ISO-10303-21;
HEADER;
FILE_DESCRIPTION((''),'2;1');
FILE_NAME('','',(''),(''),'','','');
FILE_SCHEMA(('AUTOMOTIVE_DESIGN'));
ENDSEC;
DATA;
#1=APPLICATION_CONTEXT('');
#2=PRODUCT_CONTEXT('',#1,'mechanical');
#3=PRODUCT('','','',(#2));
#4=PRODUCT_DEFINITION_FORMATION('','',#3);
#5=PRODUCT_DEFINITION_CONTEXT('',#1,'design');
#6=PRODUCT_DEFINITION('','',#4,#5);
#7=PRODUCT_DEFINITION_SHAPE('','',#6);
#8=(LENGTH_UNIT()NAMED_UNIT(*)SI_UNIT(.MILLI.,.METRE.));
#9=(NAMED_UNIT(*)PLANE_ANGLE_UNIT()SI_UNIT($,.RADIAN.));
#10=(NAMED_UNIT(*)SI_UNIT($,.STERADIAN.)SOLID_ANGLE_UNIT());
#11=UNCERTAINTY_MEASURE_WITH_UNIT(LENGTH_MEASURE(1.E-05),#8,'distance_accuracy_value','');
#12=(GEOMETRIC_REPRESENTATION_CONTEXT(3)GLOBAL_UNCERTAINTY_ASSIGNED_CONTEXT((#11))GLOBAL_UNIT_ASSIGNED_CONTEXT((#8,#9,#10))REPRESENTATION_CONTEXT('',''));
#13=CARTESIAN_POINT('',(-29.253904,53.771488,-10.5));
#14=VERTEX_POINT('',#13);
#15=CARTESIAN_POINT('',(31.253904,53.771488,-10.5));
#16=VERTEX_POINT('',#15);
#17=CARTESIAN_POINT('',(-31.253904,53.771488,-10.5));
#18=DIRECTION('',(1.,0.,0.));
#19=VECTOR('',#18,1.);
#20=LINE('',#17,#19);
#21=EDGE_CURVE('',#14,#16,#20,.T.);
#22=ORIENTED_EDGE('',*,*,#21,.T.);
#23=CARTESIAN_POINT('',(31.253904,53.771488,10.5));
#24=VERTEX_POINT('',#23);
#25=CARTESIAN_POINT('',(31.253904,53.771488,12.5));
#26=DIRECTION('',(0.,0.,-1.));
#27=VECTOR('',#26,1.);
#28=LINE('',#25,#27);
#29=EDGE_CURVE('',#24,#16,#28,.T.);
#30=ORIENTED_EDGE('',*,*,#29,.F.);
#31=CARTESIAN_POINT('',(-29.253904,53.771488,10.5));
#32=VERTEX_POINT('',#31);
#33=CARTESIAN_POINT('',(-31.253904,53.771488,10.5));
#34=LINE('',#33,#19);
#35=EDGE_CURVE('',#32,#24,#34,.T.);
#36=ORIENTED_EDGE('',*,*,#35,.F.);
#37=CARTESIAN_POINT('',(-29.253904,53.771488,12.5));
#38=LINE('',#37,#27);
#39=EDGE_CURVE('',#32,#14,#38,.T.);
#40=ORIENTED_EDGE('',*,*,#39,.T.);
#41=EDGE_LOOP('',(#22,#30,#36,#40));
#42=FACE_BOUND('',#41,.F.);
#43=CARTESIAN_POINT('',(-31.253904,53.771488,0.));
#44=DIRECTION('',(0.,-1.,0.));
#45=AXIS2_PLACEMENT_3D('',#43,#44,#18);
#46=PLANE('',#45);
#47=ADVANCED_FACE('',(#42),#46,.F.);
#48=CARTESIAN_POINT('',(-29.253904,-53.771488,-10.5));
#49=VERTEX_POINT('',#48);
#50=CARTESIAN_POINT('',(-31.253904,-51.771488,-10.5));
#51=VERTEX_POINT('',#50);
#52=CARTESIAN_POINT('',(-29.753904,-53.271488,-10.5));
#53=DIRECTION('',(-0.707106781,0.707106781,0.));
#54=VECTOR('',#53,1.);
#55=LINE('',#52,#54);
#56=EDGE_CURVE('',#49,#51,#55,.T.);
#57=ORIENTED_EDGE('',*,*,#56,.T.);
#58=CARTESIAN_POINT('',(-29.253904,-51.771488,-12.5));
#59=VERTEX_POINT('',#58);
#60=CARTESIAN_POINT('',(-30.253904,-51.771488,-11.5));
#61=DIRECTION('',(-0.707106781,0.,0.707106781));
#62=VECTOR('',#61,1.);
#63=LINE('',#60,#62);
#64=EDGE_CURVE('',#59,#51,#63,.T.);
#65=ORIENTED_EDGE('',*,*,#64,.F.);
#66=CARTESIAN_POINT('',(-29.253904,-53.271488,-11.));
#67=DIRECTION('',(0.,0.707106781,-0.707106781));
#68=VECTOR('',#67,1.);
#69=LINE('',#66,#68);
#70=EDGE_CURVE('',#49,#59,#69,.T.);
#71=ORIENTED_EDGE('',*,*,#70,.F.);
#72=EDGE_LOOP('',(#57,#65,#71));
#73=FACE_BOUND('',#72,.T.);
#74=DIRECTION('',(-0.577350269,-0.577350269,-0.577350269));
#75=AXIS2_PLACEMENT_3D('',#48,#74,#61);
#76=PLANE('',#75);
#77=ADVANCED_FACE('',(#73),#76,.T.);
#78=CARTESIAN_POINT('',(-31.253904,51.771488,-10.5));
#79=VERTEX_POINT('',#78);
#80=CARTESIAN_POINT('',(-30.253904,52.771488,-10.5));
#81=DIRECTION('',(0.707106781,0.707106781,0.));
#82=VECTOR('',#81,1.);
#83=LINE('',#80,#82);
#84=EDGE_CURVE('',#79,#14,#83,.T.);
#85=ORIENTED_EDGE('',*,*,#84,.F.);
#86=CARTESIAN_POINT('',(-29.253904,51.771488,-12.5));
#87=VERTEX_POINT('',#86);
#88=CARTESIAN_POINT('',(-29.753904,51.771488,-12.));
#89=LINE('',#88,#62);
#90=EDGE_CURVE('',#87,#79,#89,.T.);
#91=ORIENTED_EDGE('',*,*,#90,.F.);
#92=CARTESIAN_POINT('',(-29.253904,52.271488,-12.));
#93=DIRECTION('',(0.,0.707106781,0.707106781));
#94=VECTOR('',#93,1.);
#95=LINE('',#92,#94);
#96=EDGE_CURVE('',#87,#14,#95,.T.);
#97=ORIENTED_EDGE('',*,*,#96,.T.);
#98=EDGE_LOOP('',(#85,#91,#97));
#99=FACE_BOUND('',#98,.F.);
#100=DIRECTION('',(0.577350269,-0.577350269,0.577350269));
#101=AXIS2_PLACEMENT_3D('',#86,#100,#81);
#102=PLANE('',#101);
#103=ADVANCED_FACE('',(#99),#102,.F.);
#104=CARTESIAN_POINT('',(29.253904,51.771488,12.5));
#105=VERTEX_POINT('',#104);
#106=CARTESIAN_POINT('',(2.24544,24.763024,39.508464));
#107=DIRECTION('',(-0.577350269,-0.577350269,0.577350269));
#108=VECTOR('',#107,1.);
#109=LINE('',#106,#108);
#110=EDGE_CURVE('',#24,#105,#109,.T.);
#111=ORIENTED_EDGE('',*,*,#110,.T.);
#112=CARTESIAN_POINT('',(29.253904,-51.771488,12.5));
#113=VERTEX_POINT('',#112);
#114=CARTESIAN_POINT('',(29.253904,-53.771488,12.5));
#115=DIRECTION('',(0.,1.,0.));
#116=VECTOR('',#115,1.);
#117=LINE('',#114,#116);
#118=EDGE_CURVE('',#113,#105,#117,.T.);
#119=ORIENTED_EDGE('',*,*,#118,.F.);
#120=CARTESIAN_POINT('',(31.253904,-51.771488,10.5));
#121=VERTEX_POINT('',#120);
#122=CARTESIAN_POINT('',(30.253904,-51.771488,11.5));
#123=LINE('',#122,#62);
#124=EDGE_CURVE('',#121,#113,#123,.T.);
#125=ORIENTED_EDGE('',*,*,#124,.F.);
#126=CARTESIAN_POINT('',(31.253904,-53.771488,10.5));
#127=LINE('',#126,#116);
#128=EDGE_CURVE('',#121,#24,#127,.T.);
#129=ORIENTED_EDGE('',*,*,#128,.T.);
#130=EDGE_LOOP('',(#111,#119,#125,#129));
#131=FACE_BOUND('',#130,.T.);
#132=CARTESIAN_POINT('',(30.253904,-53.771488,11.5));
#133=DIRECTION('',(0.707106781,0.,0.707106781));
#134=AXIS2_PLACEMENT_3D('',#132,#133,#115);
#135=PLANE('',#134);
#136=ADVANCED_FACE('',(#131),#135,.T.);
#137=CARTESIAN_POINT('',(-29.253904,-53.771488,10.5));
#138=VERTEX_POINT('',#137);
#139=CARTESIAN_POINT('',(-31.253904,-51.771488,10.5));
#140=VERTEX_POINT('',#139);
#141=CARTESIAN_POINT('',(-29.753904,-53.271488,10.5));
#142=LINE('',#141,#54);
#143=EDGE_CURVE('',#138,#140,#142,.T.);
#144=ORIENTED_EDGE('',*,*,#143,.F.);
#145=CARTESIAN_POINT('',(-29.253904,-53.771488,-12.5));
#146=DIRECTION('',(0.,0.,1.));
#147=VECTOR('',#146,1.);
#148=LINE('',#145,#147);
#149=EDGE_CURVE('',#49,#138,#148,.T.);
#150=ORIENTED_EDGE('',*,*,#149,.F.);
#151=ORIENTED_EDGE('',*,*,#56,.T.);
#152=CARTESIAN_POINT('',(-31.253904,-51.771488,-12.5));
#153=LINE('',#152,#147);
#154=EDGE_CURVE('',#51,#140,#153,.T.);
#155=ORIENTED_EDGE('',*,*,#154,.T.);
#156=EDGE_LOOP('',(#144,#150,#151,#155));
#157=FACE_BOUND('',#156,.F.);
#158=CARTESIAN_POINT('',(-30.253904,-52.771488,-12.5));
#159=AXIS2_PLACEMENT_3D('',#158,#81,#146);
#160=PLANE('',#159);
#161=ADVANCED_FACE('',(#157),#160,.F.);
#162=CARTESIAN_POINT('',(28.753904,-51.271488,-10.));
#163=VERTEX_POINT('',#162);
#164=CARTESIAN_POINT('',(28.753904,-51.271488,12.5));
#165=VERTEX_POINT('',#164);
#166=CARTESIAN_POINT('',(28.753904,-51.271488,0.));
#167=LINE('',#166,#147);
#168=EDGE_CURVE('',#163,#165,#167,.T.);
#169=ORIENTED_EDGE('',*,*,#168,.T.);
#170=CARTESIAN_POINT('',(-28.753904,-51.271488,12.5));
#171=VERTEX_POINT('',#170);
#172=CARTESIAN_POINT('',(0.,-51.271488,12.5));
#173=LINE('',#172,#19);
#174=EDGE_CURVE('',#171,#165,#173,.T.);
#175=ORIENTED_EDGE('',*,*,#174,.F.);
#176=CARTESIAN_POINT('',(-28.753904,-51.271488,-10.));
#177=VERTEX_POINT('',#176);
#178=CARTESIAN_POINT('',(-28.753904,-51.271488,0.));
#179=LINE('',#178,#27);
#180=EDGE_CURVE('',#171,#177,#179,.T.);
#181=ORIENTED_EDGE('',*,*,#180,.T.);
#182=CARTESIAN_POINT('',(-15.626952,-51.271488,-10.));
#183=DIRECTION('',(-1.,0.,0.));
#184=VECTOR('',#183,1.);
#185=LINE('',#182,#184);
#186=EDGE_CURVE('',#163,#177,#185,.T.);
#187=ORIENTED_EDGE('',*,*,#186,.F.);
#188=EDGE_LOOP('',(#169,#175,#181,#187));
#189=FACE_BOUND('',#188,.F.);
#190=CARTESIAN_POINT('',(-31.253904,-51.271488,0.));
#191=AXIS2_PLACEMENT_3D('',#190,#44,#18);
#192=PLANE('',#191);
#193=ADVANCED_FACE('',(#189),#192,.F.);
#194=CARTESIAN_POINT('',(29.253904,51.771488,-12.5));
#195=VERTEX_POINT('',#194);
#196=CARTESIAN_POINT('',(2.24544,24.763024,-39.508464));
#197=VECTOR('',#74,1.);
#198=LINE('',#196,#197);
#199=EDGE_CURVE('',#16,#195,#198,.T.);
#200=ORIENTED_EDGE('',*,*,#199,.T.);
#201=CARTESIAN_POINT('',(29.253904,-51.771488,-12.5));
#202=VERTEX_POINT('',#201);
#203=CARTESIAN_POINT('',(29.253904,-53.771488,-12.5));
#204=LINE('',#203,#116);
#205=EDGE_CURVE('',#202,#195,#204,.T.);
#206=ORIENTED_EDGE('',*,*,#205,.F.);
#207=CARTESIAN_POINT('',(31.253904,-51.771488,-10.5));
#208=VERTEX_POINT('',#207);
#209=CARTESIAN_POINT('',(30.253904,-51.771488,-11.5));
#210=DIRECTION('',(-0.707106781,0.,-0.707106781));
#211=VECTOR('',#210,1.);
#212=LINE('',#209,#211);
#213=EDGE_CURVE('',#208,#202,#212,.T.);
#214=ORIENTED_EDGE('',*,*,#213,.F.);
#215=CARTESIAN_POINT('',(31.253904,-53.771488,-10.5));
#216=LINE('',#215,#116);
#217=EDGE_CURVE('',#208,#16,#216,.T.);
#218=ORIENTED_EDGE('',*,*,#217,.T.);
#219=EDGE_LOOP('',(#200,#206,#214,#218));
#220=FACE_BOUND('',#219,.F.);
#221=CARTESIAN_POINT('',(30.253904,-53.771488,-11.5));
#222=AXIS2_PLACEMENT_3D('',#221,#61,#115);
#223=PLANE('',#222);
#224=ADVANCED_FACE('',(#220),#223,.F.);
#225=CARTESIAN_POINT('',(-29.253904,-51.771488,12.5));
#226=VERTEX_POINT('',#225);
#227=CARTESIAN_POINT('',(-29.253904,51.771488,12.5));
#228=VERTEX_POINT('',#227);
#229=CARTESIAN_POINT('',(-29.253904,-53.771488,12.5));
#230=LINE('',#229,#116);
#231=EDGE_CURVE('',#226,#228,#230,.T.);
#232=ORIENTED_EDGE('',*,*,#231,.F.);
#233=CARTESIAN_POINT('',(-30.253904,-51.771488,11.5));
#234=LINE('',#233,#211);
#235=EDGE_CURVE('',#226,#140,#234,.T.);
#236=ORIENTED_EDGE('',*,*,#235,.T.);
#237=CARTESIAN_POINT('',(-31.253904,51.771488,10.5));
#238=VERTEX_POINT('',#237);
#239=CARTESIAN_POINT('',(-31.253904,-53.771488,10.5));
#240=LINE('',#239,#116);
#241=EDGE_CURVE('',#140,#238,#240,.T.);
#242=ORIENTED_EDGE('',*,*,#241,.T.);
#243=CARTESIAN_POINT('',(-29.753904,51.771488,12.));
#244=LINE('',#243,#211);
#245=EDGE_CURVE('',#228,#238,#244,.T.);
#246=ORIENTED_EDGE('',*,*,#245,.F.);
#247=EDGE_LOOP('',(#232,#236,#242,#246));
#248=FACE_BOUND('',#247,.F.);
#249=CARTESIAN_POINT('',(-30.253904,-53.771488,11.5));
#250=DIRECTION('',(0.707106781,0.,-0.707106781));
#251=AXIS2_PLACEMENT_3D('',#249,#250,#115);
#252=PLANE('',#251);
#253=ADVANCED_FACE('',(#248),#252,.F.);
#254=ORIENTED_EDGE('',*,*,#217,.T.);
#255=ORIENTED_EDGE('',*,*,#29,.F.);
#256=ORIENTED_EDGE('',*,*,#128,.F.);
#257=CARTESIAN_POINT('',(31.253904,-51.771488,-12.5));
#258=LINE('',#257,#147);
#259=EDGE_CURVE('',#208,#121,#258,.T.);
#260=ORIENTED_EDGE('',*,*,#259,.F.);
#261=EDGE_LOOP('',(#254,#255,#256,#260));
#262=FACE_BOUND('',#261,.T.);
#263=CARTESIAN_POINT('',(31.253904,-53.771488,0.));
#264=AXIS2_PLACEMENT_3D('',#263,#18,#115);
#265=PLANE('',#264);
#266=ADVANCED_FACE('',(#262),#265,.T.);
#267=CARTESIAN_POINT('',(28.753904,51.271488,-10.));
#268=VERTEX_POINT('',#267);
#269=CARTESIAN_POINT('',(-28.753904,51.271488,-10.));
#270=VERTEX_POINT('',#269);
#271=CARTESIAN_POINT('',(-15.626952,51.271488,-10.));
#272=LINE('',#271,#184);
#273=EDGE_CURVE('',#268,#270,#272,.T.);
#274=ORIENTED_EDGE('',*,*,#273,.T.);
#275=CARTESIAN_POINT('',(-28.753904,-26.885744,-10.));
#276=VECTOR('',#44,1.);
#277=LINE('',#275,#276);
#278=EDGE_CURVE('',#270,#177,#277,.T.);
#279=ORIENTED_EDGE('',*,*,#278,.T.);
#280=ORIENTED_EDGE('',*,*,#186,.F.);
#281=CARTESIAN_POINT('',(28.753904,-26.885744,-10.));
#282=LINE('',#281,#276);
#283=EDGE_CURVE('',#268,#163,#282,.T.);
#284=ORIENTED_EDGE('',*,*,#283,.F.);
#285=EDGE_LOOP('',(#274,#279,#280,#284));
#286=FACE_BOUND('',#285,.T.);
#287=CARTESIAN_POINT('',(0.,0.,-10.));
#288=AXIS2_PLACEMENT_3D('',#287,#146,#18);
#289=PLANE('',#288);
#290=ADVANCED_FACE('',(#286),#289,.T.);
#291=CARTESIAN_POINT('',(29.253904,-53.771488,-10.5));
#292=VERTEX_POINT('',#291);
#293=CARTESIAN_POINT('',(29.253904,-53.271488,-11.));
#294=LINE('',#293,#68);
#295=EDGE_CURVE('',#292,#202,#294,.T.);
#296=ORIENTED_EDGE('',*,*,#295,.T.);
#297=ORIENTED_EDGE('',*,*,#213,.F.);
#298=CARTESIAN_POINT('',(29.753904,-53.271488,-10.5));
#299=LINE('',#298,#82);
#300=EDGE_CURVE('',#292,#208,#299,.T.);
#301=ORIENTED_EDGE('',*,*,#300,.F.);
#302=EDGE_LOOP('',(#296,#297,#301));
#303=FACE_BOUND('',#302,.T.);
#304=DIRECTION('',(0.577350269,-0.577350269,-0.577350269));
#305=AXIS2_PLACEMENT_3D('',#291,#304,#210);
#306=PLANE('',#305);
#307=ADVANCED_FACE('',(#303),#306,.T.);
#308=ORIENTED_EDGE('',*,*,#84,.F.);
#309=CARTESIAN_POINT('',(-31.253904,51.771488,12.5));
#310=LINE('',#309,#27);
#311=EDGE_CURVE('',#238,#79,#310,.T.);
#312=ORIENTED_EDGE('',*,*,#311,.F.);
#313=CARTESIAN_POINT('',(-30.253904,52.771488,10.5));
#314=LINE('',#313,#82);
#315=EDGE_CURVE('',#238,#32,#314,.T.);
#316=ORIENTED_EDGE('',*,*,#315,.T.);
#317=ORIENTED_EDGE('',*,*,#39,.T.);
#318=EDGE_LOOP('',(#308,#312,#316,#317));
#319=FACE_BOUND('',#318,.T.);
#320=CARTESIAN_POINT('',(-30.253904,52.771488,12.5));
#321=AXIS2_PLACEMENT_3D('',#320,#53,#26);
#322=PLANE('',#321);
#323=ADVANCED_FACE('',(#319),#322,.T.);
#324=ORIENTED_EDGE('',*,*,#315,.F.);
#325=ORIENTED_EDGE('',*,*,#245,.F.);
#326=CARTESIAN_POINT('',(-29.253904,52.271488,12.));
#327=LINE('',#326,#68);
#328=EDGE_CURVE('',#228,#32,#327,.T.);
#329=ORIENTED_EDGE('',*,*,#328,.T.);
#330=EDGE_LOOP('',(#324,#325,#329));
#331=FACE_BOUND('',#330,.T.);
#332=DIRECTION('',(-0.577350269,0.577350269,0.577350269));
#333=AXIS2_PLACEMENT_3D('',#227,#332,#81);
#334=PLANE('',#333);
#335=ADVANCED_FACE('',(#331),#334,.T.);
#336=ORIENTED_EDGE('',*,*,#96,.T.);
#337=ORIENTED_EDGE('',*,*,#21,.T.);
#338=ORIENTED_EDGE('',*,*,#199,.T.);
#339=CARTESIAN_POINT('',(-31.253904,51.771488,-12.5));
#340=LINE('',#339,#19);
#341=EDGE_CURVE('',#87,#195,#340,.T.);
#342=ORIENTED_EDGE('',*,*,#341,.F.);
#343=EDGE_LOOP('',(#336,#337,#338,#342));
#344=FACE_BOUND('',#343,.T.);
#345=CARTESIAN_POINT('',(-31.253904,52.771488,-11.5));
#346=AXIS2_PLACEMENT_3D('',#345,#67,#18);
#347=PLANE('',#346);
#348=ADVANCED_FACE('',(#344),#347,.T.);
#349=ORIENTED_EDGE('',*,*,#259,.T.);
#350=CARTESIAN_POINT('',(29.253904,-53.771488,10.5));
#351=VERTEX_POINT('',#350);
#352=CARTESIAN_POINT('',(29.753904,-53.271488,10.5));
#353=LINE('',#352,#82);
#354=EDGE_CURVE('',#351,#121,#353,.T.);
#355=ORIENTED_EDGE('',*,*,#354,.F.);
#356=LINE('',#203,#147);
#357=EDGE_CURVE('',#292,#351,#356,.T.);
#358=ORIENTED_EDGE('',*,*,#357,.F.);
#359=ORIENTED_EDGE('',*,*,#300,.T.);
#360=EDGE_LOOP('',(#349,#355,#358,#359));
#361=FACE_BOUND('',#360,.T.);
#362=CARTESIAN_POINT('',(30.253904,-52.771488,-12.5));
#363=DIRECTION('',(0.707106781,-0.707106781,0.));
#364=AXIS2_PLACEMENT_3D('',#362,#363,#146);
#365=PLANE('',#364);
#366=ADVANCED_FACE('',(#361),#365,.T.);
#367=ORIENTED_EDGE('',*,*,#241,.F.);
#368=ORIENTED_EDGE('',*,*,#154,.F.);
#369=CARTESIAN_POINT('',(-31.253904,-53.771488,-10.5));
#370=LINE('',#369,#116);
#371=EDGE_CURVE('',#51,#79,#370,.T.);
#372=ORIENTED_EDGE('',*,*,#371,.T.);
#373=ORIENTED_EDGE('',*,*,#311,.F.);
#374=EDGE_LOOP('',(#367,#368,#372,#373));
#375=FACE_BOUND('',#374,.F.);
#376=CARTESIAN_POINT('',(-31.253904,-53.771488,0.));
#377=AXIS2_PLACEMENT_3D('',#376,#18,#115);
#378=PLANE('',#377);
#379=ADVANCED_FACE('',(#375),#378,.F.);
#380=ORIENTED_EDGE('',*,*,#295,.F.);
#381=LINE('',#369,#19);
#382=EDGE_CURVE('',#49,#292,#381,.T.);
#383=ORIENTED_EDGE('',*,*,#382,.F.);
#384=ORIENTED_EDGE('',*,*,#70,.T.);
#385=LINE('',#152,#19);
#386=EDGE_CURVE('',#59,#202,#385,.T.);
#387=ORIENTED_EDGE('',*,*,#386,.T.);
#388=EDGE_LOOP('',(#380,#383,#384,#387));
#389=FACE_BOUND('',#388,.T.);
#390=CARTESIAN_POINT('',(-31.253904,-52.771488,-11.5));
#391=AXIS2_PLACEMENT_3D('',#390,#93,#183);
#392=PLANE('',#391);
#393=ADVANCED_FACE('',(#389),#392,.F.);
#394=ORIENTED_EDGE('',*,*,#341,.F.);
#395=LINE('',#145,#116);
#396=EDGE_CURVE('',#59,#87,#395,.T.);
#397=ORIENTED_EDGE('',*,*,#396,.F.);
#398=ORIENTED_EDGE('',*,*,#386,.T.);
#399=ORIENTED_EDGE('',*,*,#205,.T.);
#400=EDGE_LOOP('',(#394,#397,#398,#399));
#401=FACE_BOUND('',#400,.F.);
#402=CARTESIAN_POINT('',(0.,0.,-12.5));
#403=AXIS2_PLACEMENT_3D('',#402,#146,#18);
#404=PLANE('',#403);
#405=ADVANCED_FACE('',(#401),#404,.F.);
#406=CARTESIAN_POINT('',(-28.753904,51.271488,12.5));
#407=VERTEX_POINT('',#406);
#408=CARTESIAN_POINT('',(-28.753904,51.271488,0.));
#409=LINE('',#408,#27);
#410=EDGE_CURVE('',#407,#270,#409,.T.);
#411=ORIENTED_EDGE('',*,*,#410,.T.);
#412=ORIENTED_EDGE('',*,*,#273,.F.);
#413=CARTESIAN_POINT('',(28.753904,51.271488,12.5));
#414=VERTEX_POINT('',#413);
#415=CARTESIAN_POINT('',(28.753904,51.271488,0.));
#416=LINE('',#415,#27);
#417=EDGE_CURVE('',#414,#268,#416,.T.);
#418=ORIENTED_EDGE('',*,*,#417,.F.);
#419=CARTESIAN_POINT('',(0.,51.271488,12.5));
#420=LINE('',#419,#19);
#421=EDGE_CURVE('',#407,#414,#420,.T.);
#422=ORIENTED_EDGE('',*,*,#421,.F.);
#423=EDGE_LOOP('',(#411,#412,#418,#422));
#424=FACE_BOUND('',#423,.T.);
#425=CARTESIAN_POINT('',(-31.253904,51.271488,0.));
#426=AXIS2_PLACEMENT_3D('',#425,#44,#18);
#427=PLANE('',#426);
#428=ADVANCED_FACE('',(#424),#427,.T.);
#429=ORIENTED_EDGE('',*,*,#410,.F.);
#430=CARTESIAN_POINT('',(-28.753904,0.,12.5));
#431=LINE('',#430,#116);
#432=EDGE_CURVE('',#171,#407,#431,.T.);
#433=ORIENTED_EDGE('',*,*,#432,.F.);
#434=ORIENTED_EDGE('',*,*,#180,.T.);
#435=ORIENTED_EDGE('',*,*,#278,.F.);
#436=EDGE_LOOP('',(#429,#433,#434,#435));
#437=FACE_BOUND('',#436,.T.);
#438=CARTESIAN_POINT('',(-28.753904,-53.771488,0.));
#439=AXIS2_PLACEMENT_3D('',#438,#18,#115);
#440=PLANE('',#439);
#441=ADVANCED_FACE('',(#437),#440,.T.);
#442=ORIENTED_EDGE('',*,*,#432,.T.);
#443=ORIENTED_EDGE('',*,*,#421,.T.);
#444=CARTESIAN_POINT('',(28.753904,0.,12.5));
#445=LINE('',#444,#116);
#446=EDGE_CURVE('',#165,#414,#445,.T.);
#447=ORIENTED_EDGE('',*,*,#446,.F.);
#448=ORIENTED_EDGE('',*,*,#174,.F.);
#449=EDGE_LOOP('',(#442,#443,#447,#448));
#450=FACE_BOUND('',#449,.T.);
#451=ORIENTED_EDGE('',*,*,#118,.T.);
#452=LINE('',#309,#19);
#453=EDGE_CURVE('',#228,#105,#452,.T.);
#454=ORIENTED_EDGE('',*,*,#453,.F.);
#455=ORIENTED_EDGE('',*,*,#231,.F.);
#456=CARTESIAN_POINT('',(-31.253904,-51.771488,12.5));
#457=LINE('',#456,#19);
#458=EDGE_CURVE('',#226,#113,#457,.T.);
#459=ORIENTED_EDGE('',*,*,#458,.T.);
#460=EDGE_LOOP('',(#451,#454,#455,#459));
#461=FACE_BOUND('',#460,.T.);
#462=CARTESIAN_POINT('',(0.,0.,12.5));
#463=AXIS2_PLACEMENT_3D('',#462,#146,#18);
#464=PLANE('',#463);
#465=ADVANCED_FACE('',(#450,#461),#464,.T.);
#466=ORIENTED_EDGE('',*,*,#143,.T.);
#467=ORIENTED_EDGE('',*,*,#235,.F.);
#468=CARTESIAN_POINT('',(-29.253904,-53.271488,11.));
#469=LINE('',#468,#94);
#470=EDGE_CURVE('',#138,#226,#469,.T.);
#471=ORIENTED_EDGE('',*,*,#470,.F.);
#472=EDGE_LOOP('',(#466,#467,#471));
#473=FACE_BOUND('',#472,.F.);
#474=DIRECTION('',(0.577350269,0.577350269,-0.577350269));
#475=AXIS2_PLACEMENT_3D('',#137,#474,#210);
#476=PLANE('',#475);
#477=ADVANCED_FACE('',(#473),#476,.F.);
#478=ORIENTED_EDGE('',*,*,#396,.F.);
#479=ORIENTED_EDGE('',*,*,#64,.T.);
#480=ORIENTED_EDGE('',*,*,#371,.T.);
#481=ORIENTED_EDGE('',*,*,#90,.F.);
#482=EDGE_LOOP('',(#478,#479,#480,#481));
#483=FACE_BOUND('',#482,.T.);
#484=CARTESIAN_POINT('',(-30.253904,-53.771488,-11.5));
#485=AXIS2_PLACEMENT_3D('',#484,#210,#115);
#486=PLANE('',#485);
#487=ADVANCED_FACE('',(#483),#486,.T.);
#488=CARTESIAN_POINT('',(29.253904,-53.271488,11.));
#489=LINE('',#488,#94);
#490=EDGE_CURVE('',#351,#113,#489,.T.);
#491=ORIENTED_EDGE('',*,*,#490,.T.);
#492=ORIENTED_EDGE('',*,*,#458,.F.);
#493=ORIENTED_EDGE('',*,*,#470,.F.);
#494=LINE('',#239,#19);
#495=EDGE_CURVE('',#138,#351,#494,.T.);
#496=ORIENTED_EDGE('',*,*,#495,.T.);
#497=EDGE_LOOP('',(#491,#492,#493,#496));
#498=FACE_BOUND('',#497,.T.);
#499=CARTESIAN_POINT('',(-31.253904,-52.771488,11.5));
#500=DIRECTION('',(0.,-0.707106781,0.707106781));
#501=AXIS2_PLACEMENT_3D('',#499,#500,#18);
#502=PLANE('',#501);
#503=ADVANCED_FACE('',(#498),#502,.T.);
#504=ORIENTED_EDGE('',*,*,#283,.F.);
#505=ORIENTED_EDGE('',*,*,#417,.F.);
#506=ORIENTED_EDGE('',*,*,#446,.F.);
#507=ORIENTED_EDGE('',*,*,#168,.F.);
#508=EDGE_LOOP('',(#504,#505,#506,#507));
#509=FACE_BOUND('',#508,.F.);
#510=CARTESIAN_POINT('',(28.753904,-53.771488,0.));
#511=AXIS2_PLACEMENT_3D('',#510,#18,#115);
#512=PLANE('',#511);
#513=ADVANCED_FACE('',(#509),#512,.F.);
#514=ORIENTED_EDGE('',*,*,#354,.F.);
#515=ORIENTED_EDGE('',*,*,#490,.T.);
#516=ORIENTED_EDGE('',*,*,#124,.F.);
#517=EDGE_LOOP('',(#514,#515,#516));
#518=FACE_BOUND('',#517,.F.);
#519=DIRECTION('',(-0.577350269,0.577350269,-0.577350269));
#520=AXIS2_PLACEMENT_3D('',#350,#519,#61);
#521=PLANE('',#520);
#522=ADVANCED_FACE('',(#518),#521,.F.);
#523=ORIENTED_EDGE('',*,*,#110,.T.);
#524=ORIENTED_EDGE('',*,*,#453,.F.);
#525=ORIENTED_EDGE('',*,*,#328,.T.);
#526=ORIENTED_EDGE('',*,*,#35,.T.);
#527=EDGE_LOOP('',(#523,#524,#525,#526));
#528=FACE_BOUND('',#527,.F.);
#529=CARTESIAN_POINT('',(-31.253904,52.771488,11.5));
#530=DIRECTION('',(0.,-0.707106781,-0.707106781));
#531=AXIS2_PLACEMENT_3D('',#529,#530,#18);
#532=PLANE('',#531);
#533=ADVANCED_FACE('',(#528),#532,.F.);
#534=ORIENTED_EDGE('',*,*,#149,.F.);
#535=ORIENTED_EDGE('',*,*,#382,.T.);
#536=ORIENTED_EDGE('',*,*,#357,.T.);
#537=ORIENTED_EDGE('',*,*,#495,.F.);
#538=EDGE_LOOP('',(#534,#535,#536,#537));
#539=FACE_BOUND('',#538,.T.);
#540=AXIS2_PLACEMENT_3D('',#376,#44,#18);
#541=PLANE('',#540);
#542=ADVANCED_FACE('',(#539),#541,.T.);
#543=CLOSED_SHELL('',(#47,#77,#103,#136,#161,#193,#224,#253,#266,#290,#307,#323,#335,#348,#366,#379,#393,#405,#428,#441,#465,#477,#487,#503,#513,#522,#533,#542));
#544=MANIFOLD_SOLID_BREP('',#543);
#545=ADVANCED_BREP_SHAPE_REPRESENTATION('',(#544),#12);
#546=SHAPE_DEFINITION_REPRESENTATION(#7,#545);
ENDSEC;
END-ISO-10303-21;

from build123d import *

# Parameters (mm, degrees)
F0_W     = 62.507808
F0_H     = 107.542976
F1_DEPTH = 12.5
F2_T     = -2.5
F3_SIZE  = 2


with BuildPart() as f1:
    # F0 (on Top) → F1 (new body, symmetric)
    with BuildSketch(Plane.XY):
        Rectangle(F0_W, F0_H)
    extrude(amount=F1_DEPTH, both=True)

    # F2
    f2_openings = [f1.faces().sort_by_distance(p)[0] for p in [
        (0, 0, 12.5),
    ]]
    offset(amount=F2_T, openings=f2_openings)

    # F3
    f3_edges = [f1.edges().sort_by_distance(p)[0] for p in [
        (-31.253904, 53.771488, 0),
        (-31.253904, 0, -12.5),
        (-31.253904, 0, 12.5),
        (0, 53.771488, -12.5),
        (0, 53.771488, 12.5),
        (31.253904, 0, 12.5),
        (31.253904, 0, -12.5),
        (31.253904, -53.771488, 0),
        (0, -53.771488, -12.5),
        (0, -53.771488, 12.5),
        (-31.253904, -53.771488, 0),
    ]]
    chamfer(f3_edges, length=F3_SIZE)


solid = f1.part
